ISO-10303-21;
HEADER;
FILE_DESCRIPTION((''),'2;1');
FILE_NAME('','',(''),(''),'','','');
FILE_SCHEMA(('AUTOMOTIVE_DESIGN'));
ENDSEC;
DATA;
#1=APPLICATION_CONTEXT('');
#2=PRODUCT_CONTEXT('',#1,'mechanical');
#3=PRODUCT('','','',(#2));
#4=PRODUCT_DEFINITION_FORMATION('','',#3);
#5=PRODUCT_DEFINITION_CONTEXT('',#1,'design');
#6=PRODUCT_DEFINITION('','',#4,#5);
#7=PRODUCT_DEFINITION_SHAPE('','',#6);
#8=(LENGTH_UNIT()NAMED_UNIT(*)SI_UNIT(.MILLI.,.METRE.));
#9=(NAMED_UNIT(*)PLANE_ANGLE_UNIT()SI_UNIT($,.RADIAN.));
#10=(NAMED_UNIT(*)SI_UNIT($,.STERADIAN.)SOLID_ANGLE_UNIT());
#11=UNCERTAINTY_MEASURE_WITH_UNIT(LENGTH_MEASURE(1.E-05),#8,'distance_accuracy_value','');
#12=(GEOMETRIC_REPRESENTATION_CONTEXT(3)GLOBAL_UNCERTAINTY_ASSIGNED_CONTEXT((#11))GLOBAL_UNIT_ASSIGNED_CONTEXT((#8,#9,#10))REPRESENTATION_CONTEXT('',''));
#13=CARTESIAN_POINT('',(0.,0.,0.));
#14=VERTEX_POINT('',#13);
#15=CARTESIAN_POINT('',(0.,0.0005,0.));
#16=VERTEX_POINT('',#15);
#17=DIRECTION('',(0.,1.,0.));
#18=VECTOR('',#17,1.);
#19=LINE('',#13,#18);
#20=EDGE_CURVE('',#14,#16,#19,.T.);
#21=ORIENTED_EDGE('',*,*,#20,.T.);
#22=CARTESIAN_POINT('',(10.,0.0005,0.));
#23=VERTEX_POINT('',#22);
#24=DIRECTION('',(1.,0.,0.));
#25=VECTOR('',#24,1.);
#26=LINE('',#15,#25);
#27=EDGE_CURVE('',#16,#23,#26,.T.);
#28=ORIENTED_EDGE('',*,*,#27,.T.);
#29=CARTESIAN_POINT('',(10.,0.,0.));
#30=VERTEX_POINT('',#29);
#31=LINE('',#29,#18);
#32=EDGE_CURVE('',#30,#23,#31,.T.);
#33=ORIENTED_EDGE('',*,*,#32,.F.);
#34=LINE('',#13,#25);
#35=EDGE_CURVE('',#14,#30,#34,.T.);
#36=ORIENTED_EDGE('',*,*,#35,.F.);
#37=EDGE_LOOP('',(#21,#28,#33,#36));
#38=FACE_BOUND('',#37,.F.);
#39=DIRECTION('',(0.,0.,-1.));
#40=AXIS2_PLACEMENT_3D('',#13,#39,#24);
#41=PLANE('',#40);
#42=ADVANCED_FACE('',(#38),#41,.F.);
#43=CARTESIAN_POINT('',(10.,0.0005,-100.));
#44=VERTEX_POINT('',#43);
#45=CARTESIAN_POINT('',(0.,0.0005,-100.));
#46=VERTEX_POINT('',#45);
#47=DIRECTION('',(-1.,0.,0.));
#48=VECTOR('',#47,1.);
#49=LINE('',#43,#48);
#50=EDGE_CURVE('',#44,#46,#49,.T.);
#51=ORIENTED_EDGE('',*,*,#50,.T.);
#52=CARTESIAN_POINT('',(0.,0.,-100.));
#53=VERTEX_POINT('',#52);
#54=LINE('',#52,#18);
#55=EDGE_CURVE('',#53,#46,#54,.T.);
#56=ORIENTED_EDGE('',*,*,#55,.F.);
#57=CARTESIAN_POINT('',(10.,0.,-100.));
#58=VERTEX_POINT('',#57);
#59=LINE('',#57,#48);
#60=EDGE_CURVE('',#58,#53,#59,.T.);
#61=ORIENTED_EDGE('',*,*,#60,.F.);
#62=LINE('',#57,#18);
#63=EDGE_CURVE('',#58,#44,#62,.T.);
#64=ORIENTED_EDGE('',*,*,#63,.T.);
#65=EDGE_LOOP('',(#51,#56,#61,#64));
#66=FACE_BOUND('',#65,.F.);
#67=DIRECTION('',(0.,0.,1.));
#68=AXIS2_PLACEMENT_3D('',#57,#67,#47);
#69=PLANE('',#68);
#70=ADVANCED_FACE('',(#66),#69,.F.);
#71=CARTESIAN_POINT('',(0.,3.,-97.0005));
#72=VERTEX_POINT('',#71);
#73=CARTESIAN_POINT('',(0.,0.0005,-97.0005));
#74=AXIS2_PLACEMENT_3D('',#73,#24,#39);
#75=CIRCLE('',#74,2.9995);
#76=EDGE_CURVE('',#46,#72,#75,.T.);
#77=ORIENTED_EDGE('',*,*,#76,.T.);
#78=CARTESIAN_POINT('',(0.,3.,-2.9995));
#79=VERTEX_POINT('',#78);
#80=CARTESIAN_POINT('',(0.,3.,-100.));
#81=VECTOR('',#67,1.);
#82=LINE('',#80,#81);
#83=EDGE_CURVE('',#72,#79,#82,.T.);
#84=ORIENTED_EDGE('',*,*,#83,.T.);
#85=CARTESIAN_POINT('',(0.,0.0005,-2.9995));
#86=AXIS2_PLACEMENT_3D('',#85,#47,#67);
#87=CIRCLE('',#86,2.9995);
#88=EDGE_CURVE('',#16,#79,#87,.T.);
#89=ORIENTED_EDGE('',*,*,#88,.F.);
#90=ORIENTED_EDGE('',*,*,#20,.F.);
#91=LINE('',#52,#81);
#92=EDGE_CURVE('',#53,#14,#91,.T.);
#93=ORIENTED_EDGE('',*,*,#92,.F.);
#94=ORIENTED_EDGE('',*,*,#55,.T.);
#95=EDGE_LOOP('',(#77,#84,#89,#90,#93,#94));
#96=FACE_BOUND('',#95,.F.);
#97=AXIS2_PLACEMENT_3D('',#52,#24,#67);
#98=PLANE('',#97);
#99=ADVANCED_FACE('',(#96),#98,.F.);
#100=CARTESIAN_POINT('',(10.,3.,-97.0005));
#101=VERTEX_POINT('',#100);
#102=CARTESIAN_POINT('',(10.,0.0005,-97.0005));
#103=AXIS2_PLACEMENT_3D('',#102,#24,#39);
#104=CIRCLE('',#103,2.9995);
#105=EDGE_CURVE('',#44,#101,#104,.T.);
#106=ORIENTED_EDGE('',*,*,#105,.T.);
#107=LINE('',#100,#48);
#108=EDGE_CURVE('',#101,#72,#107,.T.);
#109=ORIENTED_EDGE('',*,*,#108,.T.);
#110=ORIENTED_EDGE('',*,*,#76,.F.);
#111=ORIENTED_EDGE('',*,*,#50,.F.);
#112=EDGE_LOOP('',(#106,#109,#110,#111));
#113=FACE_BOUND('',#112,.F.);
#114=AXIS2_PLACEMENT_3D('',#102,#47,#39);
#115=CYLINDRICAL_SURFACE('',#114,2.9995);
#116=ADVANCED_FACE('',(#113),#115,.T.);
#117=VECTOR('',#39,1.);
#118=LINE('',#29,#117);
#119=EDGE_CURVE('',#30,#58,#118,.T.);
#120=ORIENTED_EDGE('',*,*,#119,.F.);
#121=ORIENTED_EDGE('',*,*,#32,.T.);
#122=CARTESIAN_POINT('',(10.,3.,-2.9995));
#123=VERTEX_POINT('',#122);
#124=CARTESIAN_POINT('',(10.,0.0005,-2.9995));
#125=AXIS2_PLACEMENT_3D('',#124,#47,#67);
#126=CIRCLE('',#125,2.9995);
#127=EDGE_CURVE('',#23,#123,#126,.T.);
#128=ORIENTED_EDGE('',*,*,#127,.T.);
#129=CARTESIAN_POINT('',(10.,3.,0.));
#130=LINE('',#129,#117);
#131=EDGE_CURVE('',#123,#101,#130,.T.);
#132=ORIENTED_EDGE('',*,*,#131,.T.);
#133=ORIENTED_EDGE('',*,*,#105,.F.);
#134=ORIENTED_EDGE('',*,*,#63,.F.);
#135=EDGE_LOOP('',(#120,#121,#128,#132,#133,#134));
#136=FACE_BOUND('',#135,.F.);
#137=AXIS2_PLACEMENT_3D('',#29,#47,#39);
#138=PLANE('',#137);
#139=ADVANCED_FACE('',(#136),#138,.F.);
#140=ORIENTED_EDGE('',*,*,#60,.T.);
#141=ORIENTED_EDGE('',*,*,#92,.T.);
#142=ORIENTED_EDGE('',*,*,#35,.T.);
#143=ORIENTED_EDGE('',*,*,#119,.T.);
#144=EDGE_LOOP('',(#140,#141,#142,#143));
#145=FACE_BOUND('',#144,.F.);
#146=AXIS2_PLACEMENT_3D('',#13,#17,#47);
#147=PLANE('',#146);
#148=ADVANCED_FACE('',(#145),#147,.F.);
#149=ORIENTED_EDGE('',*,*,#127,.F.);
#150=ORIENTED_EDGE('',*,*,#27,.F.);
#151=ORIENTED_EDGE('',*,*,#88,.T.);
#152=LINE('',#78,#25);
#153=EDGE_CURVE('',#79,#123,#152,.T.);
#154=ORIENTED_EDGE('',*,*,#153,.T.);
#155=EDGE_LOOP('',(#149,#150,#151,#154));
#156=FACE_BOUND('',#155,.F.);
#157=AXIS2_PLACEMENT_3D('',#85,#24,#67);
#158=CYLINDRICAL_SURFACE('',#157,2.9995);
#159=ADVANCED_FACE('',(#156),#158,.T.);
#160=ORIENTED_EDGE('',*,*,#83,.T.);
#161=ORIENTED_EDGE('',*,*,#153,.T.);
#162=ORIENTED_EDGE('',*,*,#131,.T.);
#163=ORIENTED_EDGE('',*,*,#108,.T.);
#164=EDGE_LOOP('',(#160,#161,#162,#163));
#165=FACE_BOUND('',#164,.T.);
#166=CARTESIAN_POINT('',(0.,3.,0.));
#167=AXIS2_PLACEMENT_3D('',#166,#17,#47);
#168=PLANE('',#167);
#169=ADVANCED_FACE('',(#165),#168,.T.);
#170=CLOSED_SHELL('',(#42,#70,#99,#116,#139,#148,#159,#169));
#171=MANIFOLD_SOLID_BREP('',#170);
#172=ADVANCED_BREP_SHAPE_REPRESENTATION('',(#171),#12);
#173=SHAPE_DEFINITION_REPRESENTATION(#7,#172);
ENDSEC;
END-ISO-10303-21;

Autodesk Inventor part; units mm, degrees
ref_plane "YZ Plane" through (0, 0, 0) normal (1, 0, 0) x (0, 1, 0)
ref_plane "XZ Plane" through (0, 0, 0) normal (0, 1, 0) x (-1, 0, 0)
ref_plane "XY Plane" through (0, 0, 0) normal (0, 0, 1) x (1, 0, 0)
sketch "Sketch1" plane through (0, 0, 0) normal (0, 1, 0) x (-1, 0, 0)
  line L0 (0, 0) -> (-10, 0)
  line L1 (-10, 0) -> (-10, -100)
  line L2 (-10, -100) -> (0, -100)
  line L3 (0, -100) -> (0, 0)
  dimension "d0" = 10
  dimension "d1" = 100
extrude "Extrusion1" add sketch "Sketch1" along normal blind 3
fillet "Fillet1" radius 3 2 edges at (5, 3, 0) (5, 3, -100)
equation "\"BendRadius\" = Thickness"
equation "\"BendReliefWidth\" = Thickness"
equation "\"BendReliefDepth\" = 0.5 * Thickness"
equation "\"CornerReliefSize\" = 4 * Thickness"
equation "\"MinimumRemnant\" = 2 * Thickness"
equation "\"TransitionRadius\" = BendRadius"
equation "\"JacobiRadiusSize\" = BendRadius"
equation "\"GapSize\" = Thickness"
equation "\"Thickness\" = 0.5"
